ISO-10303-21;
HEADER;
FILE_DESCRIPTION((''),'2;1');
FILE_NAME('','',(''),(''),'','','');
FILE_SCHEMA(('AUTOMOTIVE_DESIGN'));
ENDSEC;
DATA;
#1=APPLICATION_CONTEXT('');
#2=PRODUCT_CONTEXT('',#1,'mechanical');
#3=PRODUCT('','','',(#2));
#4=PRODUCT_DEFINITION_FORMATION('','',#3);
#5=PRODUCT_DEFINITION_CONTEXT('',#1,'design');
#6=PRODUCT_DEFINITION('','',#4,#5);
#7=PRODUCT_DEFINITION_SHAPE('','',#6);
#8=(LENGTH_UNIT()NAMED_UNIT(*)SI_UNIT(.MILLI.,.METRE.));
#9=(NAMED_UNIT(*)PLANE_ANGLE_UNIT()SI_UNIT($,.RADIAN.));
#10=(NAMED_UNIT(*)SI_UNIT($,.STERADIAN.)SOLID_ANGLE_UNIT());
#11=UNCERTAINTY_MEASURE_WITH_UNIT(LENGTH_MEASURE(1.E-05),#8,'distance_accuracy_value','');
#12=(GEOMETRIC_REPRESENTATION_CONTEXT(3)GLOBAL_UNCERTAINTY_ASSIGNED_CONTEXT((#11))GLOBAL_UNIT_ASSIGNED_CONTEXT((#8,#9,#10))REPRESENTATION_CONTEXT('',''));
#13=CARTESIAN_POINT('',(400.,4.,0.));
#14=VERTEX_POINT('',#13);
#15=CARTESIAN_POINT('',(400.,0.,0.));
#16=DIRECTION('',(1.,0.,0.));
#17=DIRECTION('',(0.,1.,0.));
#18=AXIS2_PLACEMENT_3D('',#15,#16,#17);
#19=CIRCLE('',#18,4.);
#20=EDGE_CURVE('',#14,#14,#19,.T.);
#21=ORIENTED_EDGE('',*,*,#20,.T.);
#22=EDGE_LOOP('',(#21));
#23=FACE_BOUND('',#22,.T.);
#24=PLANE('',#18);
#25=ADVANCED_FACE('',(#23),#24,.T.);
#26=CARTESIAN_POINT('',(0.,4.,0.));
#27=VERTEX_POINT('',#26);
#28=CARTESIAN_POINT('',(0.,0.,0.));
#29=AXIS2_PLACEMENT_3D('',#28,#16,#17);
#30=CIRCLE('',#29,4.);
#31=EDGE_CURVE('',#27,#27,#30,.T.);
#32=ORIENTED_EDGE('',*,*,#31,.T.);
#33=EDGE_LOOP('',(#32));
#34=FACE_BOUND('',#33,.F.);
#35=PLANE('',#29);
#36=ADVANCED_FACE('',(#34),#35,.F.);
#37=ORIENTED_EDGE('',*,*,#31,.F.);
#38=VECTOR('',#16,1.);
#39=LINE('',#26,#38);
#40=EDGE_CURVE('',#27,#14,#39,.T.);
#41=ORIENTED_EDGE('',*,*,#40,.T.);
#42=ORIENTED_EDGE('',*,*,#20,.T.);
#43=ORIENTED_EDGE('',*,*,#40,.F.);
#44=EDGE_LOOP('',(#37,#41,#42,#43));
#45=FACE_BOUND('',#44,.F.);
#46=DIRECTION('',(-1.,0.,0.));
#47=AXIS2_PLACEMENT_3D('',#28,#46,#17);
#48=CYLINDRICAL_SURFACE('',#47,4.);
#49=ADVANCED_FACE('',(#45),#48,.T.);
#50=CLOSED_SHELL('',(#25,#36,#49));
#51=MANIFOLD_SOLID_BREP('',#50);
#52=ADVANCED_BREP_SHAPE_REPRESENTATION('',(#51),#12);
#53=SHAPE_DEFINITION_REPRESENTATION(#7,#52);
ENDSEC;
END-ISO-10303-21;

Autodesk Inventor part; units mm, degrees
ref_plane "YZ Plane" through (0, 0, 0) normal (1, 0, 0) x (0, 1, 0)
sketch "Sketch1" plane through (0, 0, 0) normal (1, 0, 0) x (0, 1, 0)
  circle A0 centre (0, 0) radius 4
  dimension "d0" = 8
extrude "Extrusion1" add sketch "Sketch1" along normal blind 400
ref_plane "Work Plane1" through (0, 0, 0) normal (-1, 0, 0) x (0, 0, 1)
ref_plane "Work Plane2" through (400, 0, 0) normal (1, 0, 0) x (0, 0, -1)
properties part number "shaft" material "Steel, Alloy"
